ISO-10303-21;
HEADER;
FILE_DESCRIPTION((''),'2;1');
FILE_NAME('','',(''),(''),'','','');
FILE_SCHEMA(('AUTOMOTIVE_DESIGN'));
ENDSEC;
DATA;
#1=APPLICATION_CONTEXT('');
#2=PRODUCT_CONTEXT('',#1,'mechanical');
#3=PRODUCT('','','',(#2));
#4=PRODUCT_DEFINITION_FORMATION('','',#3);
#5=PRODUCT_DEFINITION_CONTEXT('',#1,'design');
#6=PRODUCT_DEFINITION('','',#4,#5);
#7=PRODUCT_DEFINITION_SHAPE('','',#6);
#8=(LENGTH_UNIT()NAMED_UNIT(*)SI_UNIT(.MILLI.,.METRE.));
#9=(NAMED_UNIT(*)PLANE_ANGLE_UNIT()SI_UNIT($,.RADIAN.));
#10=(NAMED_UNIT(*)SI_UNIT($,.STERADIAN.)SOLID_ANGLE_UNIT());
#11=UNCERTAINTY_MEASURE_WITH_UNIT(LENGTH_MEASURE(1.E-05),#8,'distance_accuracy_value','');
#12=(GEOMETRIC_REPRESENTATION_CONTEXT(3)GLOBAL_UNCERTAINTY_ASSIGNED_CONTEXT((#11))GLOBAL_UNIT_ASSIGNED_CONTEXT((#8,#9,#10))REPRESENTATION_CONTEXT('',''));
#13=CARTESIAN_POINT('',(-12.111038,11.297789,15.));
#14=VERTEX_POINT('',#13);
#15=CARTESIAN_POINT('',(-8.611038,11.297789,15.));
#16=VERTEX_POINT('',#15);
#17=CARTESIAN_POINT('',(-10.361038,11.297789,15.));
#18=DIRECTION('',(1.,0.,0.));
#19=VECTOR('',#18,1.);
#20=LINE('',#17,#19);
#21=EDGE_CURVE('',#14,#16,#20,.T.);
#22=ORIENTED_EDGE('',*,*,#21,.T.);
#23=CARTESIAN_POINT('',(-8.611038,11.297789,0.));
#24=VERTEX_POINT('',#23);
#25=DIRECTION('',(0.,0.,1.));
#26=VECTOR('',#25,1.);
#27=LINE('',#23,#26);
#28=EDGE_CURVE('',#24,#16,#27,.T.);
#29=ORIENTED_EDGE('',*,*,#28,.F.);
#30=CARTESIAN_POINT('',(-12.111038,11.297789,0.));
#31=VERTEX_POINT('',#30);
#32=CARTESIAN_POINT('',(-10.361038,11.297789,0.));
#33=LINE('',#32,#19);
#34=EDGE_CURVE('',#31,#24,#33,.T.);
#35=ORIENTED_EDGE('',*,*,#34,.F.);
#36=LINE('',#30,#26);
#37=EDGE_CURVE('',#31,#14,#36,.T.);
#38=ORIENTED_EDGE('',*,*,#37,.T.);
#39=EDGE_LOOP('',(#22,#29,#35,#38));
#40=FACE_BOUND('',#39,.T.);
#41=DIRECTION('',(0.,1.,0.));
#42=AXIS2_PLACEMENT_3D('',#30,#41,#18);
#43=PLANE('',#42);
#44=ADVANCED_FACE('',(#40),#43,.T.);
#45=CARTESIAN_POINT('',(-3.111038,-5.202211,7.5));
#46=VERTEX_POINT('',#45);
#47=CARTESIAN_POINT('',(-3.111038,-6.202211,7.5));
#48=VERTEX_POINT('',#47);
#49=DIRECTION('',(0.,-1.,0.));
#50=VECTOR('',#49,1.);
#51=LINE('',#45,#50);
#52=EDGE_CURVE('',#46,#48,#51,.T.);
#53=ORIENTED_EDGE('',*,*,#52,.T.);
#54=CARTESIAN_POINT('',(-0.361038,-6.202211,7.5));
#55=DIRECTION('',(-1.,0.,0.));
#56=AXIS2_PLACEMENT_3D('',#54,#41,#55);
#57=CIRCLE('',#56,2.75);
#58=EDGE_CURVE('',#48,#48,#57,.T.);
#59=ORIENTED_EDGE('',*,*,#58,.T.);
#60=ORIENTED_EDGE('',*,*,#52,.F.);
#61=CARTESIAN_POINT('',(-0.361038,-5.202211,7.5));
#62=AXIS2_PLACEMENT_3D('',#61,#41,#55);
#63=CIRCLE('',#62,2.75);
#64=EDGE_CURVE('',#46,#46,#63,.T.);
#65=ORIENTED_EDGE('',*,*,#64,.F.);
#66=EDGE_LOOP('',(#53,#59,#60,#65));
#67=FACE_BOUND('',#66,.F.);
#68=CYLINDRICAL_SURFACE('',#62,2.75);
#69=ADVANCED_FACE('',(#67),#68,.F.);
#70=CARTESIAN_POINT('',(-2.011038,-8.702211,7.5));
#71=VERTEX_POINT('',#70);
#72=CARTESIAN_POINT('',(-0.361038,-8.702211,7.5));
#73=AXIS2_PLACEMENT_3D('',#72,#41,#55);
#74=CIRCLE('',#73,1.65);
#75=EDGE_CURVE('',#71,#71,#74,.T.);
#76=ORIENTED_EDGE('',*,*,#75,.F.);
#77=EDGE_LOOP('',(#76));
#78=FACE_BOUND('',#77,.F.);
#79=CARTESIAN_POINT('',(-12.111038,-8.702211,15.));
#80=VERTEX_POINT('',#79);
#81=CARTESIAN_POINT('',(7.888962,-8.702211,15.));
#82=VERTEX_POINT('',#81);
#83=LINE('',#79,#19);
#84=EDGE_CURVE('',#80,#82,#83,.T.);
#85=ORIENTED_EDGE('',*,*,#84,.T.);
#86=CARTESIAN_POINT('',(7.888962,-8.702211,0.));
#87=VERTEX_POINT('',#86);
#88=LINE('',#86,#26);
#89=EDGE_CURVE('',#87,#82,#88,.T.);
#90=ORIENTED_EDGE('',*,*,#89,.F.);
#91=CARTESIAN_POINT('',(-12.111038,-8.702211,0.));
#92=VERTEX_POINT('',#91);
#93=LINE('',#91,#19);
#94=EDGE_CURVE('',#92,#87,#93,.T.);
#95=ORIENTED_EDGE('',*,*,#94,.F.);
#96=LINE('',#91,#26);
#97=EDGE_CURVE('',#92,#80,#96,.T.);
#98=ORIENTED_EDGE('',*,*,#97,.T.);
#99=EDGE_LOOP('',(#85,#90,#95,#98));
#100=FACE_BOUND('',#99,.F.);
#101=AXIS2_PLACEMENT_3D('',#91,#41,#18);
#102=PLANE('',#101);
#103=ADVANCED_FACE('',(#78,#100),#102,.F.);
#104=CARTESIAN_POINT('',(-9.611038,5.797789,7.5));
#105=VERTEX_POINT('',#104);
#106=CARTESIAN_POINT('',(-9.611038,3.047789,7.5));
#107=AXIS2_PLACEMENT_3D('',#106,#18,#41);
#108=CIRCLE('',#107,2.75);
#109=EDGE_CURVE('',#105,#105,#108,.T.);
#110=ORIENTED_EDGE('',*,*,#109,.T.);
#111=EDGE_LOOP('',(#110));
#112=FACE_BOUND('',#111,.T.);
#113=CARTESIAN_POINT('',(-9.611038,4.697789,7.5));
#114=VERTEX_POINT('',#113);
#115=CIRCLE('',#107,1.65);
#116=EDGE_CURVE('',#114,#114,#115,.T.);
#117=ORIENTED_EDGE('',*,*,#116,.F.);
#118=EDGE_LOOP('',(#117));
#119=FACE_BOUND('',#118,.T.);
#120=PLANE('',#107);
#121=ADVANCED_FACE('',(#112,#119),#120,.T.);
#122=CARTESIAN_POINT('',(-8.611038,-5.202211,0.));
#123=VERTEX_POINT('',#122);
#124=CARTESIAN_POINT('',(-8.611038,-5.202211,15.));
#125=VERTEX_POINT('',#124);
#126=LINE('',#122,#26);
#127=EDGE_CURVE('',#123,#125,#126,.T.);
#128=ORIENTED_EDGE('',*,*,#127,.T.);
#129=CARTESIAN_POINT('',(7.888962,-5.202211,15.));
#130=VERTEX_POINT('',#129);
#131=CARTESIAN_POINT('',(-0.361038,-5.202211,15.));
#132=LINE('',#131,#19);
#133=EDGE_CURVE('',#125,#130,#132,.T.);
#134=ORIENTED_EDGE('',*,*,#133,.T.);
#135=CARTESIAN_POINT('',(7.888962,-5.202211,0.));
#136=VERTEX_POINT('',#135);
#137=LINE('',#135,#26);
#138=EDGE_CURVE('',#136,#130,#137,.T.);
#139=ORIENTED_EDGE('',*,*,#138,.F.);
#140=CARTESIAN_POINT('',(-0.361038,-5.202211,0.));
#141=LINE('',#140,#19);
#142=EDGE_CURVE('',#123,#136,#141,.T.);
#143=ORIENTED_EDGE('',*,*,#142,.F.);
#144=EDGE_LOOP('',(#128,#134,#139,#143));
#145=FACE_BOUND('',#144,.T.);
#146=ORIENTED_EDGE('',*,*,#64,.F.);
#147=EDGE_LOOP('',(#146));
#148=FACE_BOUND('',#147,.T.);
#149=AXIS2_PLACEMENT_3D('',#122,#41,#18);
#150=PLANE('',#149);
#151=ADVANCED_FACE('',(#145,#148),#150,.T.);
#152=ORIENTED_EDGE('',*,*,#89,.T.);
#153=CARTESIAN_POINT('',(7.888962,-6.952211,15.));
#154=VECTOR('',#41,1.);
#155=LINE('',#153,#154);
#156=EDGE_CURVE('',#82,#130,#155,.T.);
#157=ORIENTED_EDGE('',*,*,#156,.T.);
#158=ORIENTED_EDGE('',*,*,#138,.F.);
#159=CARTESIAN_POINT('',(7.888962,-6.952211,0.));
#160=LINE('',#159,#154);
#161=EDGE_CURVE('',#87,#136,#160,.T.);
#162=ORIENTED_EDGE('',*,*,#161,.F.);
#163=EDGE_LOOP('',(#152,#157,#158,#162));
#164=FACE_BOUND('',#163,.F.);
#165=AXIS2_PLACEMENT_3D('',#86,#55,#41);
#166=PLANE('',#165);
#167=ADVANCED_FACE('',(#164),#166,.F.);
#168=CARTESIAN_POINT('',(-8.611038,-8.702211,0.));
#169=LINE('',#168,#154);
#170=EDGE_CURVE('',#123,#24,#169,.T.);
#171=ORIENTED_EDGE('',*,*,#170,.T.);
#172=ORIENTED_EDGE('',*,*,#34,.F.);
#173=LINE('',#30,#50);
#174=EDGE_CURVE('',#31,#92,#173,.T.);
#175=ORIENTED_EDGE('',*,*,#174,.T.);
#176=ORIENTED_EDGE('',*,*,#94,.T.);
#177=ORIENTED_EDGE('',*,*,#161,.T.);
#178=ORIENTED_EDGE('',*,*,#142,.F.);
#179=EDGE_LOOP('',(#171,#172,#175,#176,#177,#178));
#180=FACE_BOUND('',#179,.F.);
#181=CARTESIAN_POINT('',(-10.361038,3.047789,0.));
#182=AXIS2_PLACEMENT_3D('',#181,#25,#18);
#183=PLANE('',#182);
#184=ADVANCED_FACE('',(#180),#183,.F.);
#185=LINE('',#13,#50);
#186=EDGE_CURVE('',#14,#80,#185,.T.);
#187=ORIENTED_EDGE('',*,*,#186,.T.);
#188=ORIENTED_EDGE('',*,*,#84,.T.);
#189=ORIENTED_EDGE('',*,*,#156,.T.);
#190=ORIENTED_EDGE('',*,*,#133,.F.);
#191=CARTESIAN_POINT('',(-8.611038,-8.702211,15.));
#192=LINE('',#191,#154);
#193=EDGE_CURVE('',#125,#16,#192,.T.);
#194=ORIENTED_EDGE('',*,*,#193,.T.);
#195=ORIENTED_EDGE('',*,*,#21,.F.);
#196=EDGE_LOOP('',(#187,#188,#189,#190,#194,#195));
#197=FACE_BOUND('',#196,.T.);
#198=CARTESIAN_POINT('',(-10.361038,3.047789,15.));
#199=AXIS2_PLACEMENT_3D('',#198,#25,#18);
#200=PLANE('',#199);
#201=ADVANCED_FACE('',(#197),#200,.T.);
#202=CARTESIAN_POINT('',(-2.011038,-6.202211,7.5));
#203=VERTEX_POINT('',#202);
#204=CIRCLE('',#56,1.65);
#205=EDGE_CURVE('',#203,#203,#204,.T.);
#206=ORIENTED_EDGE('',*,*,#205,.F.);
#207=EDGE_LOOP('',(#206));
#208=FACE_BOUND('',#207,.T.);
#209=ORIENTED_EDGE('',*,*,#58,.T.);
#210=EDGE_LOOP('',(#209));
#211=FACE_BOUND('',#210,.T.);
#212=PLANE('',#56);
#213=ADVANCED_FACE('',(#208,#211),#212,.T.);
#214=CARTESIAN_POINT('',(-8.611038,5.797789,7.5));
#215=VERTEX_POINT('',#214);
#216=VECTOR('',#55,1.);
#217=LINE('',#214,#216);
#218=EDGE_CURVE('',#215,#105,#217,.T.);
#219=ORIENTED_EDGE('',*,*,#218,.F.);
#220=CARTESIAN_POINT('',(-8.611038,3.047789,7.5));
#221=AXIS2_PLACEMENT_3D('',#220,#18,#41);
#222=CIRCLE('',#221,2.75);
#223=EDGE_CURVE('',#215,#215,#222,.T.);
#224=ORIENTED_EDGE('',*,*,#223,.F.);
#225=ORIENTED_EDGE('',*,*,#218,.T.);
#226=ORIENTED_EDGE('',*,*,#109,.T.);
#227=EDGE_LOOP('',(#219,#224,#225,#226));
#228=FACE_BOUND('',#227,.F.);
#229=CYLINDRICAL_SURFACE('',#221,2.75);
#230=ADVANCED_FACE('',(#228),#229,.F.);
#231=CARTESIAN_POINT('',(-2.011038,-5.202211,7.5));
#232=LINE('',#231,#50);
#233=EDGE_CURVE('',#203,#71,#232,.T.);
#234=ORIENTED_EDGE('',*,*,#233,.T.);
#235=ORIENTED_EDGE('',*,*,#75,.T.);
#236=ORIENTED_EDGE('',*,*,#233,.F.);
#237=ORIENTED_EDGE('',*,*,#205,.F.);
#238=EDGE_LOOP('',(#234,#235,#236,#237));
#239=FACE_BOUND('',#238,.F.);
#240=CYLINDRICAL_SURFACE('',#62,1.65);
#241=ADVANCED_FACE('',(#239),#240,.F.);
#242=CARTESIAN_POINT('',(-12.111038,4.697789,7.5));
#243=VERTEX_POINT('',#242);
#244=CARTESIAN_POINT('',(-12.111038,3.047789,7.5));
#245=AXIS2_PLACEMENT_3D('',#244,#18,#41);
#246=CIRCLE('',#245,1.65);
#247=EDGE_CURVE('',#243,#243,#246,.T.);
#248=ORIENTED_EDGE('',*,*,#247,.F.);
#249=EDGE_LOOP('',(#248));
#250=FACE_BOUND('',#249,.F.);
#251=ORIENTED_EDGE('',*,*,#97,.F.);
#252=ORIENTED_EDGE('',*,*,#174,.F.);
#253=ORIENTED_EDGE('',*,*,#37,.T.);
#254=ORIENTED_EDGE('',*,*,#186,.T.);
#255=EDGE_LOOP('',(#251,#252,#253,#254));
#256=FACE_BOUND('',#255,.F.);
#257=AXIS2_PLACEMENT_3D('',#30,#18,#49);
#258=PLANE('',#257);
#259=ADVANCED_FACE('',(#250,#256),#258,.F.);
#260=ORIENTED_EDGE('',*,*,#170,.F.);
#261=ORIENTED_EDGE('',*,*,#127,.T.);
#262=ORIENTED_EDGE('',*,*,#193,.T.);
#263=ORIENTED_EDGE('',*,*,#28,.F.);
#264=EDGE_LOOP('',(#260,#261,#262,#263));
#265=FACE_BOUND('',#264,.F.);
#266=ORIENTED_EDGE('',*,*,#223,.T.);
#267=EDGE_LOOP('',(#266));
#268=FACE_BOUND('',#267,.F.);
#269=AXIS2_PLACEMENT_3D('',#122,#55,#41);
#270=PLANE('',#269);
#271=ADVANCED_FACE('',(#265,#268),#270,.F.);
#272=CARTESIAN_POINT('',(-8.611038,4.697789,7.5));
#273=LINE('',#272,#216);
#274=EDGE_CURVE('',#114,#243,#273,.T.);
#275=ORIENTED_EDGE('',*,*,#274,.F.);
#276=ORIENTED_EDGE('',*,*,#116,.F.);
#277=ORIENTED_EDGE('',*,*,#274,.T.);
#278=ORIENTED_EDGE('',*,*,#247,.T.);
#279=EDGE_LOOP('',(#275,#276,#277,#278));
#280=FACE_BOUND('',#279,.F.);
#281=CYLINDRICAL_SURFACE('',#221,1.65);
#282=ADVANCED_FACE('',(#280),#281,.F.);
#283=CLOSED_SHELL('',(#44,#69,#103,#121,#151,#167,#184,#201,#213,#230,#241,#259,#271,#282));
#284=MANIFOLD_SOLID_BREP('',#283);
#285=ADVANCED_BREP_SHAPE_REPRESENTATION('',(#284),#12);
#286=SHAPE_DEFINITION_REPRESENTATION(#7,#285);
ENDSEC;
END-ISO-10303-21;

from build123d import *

# Parameters (mm, degrees)
F0_W     = 3.5
F0_H     = 16.5
F0_H_2   = 3.5
F0_W_2   = 16.5
F1_DEPTH = 15
F2_R     = 1.65
F4_DEPTH = 3.5
F2_R_2   = 2.75
F5_DEPTH = 1
F3_R     = 1.65
F6_DEPTH = 3.5
F3_R_2   = 2.75
F7_DEPTH = 1


with BuildPart() as f1:
    # F0 (on Top) → F1 (new body)
    with BuildSketch(Plane.XY):
        with Locations((-10.361038, 3.047789)):
            Rectangle(F0_W, F0_H)
        with Locations((-10.361038, -6.952211)):
            Rectangle(F0_W, F0_H_2)
        with Locations((-0.361038, -6.952211)):
            Rectangle(F0_W_2, F0_H_2)
    extrude(amount=F1_DEPTH)

    # F2 (on face) → F4 (cut, through all)
    with BuildSketch(Plane.YZ.offset(-8.611038)):
        with Locations((3.047789, 7.5)):
            Circle(F2_R)
    extrude(amount=-F4_DEPTH, mode=Mode.SUBTRACT)

    # F2 (on face) → F5 (cut)
    with BuildSketch(Plane.YZ.offset(-8.611038)):
        with Locations((3.047789, 7.5)):
            Circle(F2_R_2)
        with Locations((3.047789, 7.5)):
            Circle(F2_R, mode=Mode.SUBTRACT)
    extrude(amount=-F5_DEPTH, mode=Mode.SUBTRACT)

    # F3 (on face) → F6 (cut, through all)
    with BuildSketch(Plane(origin=(0, -5.202211, 0), x_dir=(-1, 0, 0), z_dir=(0, 1, 0))):
        with Locations((0.361038, 7.5)):
            Circle(F3_R)
    extrude(amount=-F6_DEPTH, mode=Mode.SUBTRACT)

    # F3 (on face) → F7 (cut)
    with BuildSketch(Plane(origin=(0, -5.202211, 0), x_dir=(-1, 0, 0), z_dir=(0, 1, 0))):
        with Locations((0.361038, 7.5)):
            Circle(F3_R_2)
        with Locations((0.361038, 7.5)):
            Circle(F3_R, mode=Mode.SUBTRACT)
    extrude(amount=-F7_DEPTH, mode=Mode.SUBTRACT)


solid = f1.part
